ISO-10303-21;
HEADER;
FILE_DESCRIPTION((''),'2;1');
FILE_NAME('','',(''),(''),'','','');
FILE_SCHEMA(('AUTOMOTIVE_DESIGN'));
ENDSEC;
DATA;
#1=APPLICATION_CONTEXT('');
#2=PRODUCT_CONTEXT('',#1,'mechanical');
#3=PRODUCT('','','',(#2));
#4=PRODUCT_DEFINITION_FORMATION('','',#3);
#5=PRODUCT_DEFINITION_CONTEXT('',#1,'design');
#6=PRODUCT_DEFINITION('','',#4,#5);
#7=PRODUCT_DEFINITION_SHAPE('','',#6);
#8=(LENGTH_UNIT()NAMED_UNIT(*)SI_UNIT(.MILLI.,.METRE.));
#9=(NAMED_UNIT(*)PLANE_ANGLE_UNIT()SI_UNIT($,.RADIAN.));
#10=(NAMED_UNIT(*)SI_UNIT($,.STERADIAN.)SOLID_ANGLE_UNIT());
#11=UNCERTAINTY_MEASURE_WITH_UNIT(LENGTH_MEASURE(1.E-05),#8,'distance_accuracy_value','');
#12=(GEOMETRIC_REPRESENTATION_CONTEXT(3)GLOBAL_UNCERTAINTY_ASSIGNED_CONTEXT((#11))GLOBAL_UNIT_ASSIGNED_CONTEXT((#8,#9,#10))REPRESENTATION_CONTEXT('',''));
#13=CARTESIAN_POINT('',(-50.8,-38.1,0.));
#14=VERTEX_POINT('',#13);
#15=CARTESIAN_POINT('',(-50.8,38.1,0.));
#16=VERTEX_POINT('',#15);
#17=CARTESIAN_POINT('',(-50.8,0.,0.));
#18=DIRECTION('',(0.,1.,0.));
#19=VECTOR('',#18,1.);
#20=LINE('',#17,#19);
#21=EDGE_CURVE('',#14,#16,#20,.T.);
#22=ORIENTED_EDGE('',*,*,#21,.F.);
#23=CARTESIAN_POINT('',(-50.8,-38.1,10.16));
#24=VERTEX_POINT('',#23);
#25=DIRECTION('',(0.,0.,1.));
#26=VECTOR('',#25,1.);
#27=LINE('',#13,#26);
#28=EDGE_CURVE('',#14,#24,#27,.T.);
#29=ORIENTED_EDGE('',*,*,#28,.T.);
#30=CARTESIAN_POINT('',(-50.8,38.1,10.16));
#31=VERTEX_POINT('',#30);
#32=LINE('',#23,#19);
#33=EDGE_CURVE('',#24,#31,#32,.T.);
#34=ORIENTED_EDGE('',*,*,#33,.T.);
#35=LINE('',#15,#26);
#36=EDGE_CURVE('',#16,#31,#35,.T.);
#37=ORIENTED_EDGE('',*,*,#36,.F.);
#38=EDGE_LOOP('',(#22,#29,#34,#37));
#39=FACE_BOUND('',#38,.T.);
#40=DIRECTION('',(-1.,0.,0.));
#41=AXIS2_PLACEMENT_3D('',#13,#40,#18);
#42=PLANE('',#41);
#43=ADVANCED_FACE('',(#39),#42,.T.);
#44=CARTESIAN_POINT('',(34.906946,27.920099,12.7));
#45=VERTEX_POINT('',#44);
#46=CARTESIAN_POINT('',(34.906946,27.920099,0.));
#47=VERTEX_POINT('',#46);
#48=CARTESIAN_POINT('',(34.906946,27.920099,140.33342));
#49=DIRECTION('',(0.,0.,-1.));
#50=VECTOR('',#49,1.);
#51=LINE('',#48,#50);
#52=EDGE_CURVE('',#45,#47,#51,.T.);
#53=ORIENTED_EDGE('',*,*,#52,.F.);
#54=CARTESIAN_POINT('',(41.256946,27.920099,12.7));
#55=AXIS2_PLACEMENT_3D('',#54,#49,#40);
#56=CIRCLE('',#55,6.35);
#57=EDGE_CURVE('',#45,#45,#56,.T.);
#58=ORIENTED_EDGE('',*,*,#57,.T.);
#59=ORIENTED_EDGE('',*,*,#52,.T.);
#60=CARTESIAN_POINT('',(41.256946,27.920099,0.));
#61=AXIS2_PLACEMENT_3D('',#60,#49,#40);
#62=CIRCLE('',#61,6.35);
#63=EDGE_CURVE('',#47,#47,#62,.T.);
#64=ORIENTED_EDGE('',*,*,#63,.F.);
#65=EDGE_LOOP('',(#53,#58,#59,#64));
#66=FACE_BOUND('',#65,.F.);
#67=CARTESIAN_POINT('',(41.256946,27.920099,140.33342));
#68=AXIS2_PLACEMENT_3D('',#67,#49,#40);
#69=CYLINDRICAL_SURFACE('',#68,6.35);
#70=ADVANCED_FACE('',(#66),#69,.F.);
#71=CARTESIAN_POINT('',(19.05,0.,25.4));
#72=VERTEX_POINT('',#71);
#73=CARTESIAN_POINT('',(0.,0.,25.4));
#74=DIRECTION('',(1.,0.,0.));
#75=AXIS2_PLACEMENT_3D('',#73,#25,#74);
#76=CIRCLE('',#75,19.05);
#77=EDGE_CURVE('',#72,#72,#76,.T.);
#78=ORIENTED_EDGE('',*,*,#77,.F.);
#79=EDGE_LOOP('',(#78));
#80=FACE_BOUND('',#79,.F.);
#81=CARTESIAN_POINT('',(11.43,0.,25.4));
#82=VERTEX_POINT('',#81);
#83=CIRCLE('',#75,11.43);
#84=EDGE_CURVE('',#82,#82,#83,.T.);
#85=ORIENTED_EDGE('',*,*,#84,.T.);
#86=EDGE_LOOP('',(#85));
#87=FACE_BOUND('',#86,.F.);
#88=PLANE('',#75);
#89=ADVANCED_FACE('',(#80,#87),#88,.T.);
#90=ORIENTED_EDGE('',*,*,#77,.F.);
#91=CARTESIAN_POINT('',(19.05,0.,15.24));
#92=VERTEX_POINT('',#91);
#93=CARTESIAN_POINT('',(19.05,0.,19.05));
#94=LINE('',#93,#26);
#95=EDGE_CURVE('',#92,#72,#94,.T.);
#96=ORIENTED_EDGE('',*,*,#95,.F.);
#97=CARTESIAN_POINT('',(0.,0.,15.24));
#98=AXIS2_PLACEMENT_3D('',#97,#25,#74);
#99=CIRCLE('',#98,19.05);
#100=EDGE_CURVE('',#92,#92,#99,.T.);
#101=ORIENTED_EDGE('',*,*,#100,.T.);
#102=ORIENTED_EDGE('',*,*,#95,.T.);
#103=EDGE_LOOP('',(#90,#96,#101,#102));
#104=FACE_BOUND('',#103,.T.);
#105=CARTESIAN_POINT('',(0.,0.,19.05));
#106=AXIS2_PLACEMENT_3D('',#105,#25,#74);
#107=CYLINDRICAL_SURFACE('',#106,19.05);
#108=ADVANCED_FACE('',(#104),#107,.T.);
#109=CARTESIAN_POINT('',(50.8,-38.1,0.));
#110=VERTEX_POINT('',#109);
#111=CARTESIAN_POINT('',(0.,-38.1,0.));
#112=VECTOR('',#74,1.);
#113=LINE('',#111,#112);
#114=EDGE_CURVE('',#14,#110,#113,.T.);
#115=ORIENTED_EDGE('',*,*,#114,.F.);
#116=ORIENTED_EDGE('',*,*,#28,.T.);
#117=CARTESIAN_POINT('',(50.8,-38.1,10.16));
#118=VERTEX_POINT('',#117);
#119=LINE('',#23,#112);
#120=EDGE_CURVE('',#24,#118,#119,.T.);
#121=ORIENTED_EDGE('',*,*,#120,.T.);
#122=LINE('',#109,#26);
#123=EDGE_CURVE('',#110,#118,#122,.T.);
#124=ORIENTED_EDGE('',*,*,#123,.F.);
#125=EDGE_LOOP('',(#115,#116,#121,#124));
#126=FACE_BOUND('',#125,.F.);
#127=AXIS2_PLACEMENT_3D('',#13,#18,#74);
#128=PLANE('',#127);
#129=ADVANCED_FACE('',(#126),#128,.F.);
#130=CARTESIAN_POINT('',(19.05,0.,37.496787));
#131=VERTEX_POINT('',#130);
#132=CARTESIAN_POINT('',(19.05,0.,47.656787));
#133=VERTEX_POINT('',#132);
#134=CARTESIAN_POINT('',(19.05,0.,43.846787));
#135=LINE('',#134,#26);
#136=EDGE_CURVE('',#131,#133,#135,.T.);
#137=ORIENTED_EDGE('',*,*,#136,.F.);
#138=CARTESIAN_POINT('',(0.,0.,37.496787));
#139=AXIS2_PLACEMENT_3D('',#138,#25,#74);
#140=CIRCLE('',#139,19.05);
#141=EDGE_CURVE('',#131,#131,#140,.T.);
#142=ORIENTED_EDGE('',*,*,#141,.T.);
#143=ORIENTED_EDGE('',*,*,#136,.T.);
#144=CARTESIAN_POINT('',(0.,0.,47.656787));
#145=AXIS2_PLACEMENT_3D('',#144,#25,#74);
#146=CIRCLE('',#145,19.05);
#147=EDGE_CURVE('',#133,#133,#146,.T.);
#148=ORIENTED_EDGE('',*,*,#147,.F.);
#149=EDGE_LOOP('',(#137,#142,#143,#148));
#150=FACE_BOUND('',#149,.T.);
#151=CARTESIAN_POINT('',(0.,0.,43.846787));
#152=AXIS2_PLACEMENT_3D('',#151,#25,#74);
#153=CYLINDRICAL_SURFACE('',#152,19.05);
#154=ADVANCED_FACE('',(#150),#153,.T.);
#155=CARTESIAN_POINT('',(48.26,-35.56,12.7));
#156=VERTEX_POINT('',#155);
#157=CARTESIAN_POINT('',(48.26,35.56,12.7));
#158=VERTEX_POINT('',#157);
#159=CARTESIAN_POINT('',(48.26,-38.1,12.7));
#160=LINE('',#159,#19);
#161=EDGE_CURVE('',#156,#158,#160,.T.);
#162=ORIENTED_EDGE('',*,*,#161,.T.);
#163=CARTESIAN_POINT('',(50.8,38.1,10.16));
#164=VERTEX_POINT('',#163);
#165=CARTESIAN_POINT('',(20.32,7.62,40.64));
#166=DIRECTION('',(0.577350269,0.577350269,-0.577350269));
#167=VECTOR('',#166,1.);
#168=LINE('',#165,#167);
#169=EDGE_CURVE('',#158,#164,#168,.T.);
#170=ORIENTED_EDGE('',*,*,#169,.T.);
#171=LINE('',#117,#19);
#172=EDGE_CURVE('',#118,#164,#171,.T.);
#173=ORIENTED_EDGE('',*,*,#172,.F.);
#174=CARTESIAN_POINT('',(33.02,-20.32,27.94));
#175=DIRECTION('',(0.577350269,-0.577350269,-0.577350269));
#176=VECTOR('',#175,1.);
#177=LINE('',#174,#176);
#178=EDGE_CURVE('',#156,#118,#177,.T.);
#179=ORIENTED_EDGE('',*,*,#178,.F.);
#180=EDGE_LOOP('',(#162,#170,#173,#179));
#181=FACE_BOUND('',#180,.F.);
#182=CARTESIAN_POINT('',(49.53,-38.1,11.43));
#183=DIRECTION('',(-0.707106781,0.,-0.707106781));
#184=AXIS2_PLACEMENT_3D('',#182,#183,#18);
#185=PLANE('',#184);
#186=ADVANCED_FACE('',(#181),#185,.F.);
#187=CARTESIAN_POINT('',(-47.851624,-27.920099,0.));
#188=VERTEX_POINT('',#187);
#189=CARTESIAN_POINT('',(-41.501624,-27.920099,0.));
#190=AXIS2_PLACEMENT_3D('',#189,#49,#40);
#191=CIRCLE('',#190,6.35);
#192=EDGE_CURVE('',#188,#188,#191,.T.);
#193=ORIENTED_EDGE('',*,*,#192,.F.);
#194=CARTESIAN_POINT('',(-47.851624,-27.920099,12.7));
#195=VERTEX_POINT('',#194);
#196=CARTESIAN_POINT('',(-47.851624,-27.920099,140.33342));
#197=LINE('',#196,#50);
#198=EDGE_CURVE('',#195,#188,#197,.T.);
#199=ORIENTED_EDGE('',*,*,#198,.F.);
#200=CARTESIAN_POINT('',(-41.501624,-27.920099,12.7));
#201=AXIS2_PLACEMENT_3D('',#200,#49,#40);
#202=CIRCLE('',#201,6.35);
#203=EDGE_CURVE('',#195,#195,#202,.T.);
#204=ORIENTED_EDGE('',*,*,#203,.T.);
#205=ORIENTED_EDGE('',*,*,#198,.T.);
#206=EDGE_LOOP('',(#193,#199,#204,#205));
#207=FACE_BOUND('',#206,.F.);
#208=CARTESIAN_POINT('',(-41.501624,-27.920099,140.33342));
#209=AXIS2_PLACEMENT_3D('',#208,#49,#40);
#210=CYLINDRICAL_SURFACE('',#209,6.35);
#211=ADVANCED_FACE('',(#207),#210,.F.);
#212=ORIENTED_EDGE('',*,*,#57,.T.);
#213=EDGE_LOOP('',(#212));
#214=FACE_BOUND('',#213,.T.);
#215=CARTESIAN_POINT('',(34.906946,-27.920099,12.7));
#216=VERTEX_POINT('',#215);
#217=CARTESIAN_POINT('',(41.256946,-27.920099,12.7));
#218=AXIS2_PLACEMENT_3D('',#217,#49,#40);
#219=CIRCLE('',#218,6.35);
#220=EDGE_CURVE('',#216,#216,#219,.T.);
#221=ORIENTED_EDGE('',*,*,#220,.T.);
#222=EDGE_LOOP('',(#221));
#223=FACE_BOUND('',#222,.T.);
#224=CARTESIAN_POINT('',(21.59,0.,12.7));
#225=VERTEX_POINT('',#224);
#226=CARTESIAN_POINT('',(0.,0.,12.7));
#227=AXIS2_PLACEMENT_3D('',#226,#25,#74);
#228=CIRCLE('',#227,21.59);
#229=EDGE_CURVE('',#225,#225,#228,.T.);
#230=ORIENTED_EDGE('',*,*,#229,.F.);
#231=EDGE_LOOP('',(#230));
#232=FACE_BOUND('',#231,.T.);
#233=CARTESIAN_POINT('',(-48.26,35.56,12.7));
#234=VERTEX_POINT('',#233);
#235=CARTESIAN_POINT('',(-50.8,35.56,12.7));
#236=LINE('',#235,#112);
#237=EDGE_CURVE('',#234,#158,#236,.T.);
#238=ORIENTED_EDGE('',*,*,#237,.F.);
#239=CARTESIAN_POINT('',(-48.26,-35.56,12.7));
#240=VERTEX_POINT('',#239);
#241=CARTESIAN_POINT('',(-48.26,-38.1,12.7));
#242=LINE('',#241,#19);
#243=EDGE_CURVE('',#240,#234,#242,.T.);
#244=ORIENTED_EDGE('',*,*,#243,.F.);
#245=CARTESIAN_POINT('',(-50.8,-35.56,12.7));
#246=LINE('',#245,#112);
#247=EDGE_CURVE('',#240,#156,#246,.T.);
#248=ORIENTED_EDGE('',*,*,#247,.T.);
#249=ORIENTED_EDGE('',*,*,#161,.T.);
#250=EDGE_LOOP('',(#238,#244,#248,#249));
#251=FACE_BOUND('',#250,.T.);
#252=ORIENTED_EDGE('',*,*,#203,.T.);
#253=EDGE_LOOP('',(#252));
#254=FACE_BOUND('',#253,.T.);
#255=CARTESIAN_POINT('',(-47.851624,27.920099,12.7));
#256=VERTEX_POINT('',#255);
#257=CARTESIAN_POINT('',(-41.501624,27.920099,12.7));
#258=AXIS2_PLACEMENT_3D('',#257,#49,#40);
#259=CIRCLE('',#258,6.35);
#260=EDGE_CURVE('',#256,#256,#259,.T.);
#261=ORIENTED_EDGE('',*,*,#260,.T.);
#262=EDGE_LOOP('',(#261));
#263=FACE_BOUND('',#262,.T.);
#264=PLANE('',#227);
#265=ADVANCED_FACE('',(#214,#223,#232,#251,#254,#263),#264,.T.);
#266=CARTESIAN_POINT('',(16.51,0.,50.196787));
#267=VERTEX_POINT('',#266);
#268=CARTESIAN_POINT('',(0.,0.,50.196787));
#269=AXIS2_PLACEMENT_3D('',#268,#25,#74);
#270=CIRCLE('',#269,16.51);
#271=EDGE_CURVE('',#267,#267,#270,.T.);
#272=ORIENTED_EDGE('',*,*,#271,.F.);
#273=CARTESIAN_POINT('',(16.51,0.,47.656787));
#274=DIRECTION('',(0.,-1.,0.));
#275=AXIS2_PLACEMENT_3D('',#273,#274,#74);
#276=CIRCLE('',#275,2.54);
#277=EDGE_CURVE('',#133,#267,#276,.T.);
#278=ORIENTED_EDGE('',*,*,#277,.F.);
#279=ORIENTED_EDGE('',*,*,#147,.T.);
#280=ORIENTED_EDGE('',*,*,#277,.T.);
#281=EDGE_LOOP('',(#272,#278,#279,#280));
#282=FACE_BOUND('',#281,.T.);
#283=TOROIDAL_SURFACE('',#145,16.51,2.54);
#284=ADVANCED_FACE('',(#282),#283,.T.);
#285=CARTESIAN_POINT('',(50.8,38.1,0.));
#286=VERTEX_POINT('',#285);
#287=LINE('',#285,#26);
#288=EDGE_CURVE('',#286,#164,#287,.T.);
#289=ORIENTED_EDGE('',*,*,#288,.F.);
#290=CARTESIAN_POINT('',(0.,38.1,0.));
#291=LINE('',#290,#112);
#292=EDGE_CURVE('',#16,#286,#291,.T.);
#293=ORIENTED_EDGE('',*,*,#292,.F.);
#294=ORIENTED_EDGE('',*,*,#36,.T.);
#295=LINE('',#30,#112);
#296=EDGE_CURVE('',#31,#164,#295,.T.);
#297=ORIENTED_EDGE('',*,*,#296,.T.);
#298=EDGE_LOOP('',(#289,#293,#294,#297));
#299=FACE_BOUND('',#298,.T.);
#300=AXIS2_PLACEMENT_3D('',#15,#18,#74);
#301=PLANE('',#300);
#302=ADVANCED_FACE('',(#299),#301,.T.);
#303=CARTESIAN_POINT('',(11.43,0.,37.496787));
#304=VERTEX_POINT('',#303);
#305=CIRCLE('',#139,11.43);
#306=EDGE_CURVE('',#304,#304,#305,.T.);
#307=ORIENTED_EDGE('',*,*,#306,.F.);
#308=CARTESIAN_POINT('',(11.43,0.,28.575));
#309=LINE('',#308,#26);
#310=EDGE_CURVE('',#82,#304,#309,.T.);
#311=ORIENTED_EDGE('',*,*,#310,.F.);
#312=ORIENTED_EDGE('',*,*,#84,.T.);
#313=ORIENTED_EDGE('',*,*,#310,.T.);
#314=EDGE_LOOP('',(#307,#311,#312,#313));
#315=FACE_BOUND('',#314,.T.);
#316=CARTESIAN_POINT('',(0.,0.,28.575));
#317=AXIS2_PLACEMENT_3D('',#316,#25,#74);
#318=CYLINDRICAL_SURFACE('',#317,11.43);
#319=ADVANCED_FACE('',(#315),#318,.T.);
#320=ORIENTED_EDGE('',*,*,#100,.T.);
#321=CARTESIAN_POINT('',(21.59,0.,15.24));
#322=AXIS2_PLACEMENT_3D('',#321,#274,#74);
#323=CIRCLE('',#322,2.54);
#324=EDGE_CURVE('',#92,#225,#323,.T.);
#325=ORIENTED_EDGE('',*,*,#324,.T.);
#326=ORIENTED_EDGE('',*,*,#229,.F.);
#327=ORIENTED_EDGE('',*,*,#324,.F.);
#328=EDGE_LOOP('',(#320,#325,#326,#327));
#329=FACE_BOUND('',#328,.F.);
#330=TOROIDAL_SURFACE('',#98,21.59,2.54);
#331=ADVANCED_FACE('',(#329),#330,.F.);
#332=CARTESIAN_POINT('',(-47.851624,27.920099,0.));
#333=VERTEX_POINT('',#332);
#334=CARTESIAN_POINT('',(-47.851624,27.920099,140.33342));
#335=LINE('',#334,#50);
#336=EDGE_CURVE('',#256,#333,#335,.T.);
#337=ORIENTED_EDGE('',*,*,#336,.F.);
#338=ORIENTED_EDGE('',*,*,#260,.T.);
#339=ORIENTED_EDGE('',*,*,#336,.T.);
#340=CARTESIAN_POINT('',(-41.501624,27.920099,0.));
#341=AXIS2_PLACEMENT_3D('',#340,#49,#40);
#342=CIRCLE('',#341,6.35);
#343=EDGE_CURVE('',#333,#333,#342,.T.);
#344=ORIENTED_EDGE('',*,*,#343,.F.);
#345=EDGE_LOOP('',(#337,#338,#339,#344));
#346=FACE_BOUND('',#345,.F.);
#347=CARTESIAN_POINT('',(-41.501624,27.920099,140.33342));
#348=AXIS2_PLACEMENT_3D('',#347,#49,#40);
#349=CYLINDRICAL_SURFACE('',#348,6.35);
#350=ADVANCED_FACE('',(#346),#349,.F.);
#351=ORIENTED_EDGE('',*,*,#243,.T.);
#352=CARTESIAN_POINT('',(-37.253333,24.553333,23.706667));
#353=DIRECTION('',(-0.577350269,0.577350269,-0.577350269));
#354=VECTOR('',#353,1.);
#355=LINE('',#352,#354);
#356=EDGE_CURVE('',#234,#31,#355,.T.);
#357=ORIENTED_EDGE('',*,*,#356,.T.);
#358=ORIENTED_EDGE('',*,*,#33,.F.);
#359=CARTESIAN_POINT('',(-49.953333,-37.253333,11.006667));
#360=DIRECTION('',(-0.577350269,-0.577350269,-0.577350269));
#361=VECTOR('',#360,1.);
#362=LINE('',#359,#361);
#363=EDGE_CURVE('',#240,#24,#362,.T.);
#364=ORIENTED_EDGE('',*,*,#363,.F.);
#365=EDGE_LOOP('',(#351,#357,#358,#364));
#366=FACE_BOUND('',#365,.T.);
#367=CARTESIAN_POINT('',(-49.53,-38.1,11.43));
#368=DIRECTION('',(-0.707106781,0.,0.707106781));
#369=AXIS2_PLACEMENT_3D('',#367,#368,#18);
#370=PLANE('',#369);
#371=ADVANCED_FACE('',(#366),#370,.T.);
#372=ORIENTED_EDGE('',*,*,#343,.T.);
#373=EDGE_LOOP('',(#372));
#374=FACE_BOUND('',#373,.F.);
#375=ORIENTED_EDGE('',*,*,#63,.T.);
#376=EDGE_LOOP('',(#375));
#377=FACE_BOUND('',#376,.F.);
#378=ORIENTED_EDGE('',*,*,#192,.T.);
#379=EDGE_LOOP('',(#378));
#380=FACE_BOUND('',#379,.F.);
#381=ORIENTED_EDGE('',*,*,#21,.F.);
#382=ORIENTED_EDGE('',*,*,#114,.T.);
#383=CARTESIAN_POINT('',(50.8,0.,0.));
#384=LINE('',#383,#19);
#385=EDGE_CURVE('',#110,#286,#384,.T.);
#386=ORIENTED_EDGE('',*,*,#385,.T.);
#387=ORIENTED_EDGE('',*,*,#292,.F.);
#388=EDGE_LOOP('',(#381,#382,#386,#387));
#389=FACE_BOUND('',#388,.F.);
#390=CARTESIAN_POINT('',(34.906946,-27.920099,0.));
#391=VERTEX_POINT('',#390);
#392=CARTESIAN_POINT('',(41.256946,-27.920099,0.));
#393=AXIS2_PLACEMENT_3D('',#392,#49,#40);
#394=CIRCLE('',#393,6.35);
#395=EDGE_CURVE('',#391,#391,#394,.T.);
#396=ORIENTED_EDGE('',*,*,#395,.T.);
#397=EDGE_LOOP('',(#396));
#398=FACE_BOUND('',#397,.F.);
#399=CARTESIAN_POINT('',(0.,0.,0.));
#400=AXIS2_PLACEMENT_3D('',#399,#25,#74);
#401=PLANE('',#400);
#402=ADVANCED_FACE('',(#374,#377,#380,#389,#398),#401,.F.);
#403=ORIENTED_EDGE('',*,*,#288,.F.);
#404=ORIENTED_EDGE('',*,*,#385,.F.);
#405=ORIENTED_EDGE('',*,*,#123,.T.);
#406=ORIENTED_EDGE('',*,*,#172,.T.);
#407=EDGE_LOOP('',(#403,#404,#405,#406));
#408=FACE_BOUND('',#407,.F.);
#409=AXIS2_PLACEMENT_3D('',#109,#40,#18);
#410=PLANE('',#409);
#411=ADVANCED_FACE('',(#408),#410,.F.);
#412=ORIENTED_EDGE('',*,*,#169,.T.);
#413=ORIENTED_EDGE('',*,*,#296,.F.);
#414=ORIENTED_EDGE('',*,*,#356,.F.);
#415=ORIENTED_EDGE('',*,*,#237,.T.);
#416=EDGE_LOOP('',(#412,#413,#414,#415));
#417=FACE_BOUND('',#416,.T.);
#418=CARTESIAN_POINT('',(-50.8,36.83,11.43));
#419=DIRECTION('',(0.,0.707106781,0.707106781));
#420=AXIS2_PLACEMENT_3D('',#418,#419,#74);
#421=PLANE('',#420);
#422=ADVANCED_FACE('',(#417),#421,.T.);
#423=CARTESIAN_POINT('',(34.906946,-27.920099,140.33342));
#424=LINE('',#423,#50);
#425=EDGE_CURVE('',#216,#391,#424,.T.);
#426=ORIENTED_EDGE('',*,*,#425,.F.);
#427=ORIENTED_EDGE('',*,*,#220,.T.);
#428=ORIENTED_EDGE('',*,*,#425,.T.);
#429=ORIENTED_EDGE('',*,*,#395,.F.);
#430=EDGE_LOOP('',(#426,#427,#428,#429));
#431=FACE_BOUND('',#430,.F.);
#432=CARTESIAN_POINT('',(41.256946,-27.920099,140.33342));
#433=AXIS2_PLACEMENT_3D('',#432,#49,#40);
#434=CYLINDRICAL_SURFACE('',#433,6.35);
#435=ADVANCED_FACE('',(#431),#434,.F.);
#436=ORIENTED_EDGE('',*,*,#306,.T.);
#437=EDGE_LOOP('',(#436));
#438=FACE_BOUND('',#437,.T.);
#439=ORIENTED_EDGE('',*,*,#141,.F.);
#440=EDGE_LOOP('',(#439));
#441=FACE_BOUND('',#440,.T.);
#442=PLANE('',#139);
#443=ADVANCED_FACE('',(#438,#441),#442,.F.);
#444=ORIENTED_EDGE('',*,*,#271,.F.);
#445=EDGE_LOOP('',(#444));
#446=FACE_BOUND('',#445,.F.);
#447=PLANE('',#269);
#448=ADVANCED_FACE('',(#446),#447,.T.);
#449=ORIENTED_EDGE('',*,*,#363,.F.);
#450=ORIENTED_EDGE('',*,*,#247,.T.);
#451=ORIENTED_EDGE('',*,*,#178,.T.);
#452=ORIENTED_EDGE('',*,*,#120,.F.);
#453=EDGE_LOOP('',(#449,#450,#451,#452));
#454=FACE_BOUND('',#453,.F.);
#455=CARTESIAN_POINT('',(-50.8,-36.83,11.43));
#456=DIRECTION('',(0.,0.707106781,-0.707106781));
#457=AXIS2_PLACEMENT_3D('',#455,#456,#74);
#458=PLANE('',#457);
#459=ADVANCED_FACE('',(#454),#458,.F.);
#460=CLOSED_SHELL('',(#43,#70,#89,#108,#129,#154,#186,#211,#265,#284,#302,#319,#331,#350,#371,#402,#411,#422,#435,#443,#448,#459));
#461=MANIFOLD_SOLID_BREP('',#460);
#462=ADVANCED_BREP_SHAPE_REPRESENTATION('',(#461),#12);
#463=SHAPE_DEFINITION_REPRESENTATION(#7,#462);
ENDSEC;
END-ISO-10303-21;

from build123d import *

# Parameters (mm, degrees)
F0_W     = 101.6
F0_H     = 76.2
F1_DEPTH = 12.7
F4_D     = 12.7
F5_W     = 11.43
F5_H     = 31.75
F7_W     = 19.05
F7_H     = 12.7
F9_W     = 19.05
F9_H     = 12.7
F11_R    = 2.54
F12_SIZE = 2.54


with BuildPart() as f1:
    # F0 (on Top) → F1 (new body)
    with BuildSketch(Plane.XY):
        Rectangle(F0_W, F0_H)
    extrude(amount=F1_DEPTH)

    # F4 (through all)
    with Locations(Plane.XY.offset(12.7)):
        with Locations((-41.501624, 27.920099), (41.256946, 27.920099), (41.256946, -27.920099), (-41.501624, -27.920099)):
            Hole(F4_D / 2)

    # F5 (on Front) → F6 (revolve)
    with BuildSketch(Plane.XZ):
        with Locations((5.715, 28.575)):
            Rectangle(F5_W, F5_H)
    revolve(axis=Axis((0, 0, 28.575), (0, 0, 1)))

    # F7 (on Front) → F8 (revolve)
    with BuildSketch(Plane.XZ):
        with Locations((9.525, 19.05)):
            Rectangle(F7_W, F7_H)
    revolve(axis=Axis((0, 0, 19.05), (0, 0, 1)))

    # F9 (on Front) → F10 (revolve)
    with BuildSketch(Plane.XZ):
        with Locations((9.525, 43.846787)):
            Rectangle(F9_W, F9_H)
    revolve(axis=Axis((0, 0, 43.846787), (0, 0, 1)))

    # F11
    f11_edges = [f1.edges().sort_by_distance(p)[0] for p in [
        (-19.05, 0, 50.196787),
        (-19.05, 0, 12.7),
    ]]
    fillet(f11_edges, radius=F11_R)

    # F12
    f12_edges = [f1.edges().sort_by_distance(p)[0] for p in [
        (0, 38.1, 12.7),
        (50.8, 0, 12.7),
        (0, -38.1, 12.7),
        (-50.8, 0, 12.7),
    ]]
    chamfer(f12_edges, length=F12_SIZE)


solid = f1.part
